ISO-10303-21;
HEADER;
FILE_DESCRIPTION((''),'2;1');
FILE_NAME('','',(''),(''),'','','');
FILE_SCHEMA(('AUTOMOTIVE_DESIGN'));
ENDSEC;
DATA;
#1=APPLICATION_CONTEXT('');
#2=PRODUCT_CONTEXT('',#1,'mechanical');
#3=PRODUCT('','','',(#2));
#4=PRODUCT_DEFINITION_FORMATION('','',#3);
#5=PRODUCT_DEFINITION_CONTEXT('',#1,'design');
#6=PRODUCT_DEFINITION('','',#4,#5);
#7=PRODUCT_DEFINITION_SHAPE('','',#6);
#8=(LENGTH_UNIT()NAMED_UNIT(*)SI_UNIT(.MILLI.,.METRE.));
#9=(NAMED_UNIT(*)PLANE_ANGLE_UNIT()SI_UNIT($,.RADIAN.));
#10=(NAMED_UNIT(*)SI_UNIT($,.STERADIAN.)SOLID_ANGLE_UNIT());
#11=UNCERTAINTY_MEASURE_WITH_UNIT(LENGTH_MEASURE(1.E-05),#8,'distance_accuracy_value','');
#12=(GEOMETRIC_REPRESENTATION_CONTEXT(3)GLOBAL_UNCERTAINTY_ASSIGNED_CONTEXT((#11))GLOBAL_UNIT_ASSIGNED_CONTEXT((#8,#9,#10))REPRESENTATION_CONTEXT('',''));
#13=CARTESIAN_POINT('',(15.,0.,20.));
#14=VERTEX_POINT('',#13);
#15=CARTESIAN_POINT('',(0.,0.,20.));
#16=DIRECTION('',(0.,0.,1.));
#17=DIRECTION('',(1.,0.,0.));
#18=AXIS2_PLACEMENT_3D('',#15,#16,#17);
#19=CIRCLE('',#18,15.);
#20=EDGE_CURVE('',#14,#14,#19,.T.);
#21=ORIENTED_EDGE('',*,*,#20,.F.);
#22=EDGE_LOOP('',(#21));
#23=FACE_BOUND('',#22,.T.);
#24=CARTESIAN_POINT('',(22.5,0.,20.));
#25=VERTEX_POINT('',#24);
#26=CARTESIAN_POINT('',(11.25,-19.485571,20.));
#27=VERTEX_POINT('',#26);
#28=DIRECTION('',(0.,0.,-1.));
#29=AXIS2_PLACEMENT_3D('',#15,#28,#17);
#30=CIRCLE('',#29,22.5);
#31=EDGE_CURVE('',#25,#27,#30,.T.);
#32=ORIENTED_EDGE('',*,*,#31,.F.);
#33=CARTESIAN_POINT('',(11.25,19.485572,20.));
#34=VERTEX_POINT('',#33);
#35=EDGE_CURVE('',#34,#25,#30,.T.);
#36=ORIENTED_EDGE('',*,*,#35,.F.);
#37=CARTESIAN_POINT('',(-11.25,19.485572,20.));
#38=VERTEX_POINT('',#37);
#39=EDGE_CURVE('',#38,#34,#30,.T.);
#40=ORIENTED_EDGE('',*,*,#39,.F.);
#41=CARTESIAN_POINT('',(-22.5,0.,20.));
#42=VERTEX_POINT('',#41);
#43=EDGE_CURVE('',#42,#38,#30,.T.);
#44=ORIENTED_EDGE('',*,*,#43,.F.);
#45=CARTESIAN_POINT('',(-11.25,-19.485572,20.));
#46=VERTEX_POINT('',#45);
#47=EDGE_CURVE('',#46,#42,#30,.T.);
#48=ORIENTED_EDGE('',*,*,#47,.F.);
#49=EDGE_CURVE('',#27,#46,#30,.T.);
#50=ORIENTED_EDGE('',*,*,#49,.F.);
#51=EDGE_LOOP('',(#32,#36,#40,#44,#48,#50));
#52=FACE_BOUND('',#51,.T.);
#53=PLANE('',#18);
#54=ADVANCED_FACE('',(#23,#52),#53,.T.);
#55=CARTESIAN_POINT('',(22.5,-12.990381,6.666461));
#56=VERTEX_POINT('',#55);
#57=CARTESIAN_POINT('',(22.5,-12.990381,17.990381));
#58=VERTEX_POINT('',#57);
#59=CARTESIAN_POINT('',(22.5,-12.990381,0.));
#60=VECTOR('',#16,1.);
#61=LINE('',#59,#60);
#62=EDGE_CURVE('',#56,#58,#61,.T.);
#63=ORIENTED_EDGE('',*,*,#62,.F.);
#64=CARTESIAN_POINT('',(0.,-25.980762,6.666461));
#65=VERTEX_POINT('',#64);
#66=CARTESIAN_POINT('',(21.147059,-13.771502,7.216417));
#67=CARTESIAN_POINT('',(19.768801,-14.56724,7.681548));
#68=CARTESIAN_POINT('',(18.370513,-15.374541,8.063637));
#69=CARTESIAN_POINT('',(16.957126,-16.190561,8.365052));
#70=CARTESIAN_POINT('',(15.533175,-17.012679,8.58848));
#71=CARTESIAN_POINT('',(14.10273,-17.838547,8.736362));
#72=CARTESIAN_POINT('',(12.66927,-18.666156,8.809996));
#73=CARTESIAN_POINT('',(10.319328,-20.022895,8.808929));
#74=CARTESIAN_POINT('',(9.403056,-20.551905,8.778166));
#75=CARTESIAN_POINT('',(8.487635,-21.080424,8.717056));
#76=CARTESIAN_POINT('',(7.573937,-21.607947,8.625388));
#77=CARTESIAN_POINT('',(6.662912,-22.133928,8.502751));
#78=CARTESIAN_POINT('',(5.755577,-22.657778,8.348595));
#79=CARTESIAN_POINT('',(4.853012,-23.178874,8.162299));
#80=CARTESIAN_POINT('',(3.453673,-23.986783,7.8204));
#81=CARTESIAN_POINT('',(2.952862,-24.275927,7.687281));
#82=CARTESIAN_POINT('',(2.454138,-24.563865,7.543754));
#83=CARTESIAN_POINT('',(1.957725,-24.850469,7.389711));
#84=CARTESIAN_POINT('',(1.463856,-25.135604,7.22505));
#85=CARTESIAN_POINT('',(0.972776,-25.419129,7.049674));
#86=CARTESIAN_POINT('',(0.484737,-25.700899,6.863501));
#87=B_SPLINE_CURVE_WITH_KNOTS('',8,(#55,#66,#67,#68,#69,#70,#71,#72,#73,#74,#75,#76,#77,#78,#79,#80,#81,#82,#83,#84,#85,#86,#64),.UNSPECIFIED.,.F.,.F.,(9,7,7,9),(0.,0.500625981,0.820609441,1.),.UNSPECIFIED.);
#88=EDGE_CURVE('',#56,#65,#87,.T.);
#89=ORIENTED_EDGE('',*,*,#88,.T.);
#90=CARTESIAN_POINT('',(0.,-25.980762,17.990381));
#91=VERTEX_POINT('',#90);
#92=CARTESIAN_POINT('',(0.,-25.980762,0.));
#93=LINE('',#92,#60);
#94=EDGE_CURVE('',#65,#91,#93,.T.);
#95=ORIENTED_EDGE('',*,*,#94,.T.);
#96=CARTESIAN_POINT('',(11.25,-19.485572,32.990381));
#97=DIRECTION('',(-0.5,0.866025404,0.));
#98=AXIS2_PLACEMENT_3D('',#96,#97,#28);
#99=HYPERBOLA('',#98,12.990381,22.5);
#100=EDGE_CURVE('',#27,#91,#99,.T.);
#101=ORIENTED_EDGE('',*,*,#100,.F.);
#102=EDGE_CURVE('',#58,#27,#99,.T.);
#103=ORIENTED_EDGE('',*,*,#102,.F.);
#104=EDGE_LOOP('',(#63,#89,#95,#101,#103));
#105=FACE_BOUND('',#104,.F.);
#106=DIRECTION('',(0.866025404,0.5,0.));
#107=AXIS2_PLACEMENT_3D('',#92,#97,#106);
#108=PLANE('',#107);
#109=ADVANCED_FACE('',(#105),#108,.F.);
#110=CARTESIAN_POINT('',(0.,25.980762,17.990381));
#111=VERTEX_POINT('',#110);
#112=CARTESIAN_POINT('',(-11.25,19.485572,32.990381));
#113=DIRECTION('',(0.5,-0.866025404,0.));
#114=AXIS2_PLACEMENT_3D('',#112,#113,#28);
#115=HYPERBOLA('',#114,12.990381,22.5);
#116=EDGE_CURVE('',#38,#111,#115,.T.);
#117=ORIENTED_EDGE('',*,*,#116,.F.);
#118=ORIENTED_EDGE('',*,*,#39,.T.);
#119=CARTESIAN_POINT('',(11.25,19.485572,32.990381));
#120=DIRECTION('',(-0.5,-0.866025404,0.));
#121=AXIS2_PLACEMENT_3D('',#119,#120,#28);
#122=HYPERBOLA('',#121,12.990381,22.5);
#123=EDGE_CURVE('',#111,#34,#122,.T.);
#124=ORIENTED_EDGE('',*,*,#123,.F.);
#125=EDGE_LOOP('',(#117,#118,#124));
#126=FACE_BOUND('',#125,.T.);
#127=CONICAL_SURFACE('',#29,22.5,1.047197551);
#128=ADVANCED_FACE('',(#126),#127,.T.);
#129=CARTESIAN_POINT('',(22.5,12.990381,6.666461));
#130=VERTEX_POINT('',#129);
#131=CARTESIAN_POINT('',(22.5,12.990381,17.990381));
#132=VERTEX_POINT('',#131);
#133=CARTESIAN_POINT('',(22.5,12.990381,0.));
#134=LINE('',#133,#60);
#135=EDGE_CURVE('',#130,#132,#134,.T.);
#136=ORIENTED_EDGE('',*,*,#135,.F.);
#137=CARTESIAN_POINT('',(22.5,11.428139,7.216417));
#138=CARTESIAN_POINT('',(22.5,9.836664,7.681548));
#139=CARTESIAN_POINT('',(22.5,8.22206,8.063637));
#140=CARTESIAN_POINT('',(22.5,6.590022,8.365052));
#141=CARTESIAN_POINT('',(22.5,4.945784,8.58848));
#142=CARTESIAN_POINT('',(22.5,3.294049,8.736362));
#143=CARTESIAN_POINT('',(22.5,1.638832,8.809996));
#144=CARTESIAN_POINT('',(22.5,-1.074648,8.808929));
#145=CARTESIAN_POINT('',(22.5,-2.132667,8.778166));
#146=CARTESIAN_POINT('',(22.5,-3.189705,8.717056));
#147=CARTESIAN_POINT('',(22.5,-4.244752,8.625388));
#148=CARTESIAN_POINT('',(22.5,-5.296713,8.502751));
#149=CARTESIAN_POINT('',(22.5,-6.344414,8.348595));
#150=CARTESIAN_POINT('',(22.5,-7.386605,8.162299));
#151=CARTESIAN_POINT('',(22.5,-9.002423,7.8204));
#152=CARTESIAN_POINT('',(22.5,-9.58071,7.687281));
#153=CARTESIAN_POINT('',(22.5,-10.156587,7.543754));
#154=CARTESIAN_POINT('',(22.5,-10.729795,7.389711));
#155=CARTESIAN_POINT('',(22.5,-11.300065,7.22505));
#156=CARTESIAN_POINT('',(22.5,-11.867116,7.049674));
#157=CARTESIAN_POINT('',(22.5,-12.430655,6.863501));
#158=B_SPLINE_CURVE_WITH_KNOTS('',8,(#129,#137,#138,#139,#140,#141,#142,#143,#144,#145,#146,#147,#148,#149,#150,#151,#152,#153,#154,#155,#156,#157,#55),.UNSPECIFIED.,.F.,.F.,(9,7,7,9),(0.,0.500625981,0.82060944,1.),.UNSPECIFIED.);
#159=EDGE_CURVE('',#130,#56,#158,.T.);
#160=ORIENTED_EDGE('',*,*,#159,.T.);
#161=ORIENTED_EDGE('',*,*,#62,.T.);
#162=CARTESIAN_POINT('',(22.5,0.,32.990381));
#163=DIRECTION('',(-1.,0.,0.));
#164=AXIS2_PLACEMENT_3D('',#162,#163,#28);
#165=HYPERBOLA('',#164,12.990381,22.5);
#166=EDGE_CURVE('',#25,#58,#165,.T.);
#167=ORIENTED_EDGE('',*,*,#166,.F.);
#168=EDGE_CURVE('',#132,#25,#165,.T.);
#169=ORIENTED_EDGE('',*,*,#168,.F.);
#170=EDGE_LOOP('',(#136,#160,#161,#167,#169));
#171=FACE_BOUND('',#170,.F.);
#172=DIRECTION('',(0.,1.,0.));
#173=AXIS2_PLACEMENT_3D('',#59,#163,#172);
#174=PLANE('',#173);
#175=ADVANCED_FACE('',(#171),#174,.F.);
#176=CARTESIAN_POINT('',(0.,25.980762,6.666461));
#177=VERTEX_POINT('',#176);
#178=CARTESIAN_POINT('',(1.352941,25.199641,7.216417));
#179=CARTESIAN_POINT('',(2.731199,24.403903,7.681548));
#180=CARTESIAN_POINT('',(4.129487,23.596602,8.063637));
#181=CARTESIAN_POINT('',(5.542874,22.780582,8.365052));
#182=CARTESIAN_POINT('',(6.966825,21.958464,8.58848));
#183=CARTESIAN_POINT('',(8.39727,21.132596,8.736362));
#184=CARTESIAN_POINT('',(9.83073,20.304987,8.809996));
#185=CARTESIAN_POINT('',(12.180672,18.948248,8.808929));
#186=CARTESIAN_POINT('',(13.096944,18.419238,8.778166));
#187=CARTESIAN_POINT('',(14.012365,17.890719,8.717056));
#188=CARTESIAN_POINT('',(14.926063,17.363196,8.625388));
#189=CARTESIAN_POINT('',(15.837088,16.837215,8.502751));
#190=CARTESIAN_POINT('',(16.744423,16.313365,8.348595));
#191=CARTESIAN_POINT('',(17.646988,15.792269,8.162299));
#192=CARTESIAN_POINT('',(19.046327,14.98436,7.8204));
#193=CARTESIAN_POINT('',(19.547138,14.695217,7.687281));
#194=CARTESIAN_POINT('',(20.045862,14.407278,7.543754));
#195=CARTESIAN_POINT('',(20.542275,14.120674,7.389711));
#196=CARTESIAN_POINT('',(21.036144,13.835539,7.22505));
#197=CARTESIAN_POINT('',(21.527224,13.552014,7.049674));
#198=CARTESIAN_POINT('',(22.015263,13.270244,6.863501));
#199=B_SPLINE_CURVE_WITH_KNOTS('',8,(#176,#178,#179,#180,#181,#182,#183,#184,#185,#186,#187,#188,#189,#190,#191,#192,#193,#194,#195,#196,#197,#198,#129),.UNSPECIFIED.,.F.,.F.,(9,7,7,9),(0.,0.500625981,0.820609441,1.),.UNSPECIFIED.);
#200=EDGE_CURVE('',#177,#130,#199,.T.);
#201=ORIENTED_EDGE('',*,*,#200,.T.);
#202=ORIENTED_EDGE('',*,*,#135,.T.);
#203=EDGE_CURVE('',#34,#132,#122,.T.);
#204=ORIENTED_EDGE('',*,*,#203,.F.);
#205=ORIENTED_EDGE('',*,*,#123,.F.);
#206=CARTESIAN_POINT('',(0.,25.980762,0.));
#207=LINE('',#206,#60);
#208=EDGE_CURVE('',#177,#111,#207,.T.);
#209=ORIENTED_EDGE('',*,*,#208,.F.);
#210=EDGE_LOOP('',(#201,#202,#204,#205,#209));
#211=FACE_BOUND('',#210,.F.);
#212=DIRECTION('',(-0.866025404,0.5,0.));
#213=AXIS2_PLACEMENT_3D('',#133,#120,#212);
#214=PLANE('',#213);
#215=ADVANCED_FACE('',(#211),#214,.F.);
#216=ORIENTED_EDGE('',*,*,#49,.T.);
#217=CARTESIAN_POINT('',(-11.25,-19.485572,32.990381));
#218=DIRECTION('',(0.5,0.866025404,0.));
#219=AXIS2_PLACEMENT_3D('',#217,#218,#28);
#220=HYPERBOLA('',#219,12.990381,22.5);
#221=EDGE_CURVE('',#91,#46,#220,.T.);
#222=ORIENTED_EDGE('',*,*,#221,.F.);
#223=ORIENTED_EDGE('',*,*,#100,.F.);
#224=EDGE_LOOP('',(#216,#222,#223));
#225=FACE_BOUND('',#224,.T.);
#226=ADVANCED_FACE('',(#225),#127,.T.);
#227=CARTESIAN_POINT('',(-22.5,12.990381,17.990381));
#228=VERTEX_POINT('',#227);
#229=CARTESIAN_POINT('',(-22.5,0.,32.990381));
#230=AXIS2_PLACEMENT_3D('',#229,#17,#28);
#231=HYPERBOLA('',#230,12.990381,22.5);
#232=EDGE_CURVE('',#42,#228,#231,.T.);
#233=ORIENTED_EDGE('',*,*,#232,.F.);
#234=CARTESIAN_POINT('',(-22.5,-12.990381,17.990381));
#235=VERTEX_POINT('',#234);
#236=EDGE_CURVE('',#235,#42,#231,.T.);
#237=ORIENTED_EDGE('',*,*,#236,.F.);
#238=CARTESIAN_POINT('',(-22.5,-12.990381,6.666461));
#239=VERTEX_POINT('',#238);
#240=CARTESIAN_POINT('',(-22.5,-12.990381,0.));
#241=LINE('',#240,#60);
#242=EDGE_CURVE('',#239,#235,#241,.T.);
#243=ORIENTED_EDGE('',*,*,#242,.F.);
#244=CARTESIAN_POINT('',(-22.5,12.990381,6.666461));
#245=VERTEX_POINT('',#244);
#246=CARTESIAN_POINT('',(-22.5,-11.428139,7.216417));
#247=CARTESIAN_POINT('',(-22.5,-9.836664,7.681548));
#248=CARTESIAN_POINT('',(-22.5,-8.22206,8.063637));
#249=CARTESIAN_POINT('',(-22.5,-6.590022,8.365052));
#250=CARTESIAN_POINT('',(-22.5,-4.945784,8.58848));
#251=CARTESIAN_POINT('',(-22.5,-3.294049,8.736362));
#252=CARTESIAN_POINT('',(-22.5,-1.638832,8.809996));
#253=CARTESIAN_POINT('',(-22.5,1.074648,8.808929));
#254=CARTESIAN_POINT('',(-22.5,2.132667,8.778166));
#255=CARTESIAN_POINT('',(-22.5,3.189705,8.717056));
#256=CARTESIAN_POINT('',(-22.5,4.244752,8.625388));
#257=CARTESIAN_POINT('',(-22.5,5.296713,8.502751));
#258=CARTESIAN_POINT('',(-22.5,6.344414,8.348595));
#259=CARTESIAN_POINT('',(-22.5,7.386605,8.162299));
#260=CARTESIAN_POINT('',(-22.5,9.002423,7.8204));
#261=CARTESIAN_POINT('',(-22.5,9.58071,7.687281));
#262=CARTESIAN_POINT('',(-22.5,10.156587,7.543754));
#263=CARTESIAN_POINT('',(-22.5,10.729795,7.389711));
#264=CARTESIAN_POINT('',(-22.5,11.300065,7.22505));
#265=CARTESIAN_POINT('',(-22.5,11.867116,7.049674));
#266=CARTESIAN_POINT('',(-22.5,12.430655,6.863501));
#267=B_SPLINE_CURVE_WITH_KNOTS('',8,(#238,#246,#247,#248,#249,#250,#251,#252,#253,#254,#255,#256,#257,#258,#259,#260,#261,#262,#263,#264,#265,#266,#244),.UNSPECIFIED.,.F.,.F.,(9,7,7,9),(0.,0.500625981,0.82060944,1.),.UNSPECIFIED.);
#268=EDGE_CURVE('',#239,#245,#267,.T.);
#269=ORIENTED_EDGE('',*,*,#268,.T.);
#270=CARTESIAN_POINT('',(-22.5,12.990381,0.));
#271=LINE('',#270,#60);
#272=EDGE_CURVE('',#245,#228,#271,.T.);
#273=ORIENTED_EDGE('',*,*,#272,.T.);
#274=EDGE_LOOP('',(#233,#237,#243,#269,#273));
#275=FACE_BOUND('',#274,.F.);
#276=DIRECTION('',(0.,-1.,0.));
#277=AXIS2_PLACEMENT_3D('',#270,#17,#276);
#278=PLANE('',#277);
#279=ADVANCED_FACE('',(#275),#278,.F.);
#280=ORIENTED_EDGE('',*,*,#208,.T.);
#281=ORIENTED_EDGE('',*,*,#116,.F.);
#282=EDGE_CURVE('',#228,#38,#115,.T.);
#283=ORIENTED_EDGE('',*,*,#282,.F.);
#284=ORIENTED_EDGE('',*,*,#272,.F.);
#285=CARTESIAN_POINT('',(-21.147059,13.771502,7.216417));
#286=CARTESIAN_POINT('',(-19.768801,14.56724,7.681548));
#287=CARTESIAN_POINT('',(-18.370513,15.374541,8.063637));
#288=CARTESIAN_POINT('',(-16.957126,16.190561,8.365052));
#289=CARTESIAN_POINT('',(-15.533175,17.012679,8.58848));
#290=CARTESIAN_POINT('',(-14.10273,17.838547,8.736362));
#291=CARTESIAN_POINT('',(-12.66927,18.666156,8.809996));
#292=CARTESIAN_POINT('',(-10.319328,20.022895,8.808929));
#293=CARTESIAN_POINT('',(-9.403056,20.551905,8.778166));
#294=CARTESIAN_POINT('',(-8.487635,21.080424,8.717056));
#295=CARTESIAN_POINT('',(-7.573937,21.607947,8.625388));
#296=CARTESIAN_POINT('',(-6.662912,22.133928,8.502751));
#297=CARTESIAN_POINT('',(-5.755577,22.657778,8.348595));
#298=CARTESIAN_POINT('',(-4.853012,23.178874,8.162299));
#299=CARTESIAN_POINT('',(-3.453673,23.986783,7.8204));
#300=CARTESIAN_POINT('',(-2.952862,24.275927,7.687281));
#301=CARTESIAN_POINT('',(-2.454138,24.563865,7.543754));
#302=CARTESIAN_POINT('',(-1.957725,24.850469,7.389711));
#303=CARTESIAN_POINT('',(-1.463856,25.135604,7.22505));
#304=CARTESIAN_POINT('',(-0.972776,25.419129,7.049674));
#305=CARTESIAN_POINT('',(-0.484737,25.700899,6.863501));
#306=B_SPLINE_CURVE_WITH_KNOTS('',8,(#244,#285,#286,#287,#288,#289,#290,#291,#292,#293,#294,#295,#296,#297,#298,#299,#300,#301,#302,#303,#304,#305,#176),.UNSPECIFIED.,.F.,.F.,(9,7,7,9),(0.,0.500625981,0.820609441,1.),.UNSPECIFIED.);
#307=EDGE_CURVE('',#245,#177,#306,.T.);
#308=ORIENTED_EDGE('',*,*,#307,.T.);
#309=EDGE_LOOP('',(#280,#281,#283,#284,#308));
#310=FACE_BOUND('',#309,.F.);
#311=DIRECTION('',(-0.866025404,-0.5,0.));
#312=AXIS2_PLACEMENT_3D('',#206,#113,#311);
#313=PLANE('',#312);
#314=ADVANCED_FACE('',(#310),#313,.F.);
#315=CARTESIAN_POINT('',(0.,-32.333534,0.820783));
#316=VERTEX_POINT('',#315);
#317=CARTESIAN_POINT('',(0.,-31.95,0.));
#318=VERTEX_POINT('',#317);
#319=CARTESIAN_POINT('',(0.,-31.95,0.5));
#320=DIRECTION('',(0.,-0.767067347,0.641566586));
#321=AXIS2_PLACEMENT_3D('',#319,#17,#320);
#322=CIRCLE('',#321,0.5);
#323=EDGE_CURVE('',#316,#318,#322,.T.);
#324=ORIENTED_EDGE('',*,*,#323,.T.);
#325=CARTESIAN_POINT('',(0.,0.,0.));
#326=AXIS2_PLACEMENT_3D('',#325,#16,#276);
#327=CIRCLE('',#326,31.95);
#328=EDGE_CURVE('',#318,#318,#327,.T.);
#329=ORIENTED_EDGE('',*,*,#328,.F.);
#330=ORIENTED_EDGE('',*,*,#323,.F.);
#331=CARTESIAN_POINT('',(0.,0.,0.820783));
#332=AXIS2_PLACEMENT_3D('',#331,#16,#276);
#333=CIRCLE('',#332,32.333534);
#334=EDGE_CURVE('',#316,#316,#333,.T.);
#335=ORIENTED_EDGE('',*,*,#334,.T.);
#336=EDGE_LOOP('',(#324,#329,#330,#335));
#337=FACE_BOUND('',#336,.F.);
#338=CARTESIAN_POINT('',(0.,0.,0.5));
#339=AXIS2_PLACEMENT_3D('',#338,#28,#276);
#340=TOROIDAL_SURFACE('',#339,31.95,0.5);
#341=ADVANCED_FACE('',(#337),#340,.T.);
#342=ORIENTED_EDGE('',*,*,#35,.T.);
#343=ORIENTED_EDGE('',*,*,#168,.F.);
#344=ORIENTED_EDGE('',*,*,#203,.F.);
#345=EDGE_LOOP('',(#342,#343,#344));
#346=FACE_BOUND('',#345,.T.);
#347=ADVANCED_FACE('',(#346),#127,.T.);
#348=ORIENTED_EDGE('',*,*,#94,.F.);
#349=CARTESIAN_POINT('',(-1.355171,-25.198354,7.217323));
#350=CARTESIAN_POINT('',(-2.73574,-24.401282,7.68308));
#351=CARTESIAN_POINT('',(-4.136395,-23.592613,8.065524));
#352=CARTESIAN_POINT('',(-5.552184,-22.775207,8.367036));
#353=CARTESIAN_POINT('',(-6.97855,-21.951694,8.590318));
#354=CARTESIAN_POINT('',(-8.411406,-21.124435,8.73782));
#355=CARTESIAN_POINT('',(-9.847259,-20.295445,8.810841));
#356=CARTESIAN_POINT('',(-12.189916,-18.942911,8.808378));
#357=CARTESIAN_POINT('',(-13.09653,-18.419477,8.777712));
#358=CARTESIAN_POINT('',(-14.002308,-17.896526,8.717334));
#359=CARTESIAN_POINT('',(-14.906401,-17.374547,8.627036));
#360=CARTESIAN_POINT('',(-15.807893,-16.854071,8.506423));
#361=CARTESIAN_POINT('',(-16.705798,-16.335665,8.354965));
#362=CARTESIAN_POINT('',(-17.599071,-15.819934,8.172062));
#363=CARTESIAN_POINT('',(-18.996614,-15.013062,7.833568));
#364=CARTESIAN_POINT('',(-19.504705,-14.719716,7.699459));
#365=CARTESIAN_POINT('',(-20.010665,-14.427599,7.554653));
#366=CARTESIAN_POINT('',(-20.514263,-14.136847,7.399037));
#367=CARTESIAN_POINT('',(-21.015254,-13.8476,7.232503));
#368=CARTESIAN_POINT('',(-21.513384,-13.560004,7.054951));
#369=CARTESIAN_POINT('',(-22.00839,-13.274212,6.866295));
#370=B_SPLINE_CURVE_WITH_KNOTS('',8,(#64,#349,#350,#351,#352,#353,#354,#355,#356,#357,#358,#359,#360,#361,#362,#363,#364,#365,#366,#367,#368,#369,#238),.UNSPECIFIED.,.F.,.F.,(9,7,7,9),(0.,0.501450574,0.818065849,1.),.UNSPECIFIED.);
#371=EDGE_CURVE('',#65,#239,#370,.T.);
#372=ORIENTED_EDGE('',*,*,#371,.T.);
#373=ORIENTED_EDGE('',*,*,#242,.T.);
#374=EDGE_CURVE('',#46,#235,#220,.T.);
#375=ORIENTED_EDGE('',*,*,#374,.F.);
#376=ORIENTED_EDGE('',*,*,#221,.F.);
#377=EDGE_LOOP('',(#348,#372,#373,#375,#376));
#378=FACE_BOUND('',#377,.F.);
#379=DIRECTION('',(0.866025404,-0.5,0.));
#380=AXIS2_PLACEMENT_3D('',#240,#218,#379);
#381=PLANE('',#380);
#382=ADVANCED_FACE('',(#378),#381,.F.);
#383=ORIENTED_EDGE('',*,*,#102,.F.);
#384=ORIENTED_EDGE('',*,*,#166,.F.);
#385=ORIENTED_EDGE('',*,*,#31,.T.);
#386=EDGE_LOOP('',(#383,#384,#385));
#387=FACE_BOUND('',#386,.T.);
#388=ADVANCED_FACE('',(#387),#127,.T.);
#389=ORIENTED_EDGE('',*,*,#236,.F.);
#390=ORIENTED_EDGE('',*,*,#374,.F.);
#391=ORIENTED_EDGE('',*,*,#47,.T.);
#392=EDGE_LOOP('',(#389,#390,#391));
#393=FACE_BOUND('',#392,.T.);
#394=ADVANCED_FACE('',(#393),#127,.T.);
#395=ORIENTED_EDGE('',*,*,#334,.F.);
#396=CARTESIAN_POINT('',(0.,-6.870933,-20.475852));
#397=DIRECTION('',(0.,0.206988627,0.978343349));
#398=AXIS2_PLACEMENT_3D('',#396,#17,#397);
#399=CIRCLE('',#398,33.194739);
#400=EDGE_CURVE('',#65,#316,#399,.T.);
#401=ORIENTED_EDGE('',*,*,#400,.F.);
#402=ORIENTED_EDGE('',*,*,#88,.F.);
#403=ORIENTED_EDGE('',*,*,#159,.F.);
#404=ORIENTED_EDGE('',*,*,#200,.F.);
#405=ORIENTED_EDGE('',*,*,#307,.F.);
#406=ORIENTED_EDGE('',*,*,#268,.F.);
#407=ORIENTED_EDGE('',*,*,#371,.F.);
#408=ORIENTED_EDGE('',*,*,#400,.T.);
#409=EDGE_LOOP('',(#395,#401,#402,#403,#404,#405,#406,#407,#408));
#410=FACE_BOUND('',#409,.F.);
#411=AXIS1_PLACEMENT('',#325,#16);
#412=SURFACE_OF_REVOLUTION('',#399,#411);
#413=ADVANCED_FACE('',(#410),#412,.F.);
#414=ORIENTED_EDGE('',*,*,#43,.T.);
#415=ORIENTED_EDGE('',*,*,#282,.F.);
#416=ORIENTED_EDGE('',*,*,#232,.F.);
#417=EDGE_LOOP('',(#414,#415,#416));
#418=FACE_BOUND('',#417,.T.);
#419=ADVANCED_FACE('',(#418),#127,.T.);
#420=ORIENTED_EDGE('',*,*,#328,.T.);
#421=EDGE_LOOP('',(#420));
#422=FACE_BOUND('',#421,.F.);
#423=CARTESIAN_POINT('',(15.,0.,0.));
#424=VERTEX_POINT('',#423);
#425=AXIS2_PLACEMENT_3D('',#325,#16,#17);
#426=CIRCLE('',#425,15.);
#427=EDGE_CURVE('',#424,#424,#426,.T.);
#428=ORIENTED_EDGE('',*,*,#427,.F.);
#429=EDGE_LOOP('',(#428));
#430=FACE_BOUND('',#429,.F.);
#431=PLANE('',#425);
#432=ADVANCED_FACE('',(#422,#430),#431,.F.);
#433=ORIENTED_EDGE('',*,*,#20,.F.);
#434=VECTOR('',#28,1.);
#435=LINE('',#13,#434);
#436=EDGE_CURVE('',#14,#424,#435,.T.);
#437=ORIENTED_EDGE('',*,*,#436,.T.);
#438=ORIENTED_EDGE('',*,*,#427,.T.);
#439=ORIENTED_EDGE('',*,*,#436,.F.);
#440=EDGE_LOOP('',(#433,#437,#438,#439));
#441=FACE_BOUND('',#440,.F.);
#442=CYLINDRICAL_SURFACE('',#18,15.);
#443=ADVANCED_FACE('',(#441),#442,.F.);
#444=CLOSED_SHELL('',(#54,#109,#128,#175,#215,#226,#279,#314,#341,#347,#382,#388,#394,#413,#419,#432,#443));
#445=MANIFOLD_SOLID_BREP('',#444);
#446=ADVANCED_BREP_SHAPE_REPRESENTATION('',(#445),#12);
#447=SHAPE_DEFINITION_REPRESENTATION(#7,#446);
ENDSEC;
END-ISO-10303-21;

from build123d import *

# Parameters (mm, degrees)
BOSS_EXTRUDE1_DEPTH = 20
SKETCH5_OUTSIDE_W   = 154.97
SKETCH5_OUTSIDE_H   = 154.97
SKETCH5_OUTSIDE_R   = 22.5
CUT_EXTRUDE1_DEPTH  = 20
CUT_EXTRUDE1_TAPER  = 60
SKETCH6_R           = 15
CUT_EXTRUDE2_DEPTH  = 21


with BuildPart() as part:
    # Sketch1 → Boss-Extrude1 (new body)
    with BuildSketch(Plane.XY):
        Polygon((22.5, -12.990381057), (22.5, 12.990381057), (0, 25.980762114), (-22.5, 12.990381057), (-22.5, -12.990381057), (0, -25.980762114), align=None)
    extrude(amount=BOSS_EXTRUDE1_DEPTH)

    # Sketch2 → Revolve1 (revolve)
    with BuildSketch(Plane(origin=(0, 0, 0), x_dir=(0, 0, -1), z_dir=(1, 0, 0))):
        with BuildLine():
            Line((0, 0), (-12, 0))
            ThreePointArc((-12, 0), (-10.89665903, -17.717879555), (-0.820783292, -32.333533674))
            ThreePointArc((-0.820783292, -32.333533674), (-0.288330028, -32.402985456), (0, -31.95))
            Line((0, -31.95), (0, 0))
        make_face()
    revolve(axis=Axis((0, 0, 0), (0, 0, 1)))

    # Sketch5 outside → Cut-Extrude1 (cut)
    with BuildSketch(Plane.XY.offset(20)):
        Rectangle(SKETCH5_OUTSIDE_W, SKETCH5_OUTSIDE_H)
        Circle(SKETCH5_OUTSIDE_R, mode=Mode.SUBTRACT)
    extrude(amount=-CUT_EXTRUDE1_DEPTH, taper=CUT_EXTRUDE1_TAPER, mode=Mode.SUBTRACT)

    # Sketch6 → Cut-Extrude2 (cut, through all)
    with BuildSketch(Plane.XY.offset(20)):
        Circle(SKETCH6_R)
    extrude(amount=-CUT_EXTRUDE2_DEPTH, mode=Mode.SUBTRACT)


solid = part.part
